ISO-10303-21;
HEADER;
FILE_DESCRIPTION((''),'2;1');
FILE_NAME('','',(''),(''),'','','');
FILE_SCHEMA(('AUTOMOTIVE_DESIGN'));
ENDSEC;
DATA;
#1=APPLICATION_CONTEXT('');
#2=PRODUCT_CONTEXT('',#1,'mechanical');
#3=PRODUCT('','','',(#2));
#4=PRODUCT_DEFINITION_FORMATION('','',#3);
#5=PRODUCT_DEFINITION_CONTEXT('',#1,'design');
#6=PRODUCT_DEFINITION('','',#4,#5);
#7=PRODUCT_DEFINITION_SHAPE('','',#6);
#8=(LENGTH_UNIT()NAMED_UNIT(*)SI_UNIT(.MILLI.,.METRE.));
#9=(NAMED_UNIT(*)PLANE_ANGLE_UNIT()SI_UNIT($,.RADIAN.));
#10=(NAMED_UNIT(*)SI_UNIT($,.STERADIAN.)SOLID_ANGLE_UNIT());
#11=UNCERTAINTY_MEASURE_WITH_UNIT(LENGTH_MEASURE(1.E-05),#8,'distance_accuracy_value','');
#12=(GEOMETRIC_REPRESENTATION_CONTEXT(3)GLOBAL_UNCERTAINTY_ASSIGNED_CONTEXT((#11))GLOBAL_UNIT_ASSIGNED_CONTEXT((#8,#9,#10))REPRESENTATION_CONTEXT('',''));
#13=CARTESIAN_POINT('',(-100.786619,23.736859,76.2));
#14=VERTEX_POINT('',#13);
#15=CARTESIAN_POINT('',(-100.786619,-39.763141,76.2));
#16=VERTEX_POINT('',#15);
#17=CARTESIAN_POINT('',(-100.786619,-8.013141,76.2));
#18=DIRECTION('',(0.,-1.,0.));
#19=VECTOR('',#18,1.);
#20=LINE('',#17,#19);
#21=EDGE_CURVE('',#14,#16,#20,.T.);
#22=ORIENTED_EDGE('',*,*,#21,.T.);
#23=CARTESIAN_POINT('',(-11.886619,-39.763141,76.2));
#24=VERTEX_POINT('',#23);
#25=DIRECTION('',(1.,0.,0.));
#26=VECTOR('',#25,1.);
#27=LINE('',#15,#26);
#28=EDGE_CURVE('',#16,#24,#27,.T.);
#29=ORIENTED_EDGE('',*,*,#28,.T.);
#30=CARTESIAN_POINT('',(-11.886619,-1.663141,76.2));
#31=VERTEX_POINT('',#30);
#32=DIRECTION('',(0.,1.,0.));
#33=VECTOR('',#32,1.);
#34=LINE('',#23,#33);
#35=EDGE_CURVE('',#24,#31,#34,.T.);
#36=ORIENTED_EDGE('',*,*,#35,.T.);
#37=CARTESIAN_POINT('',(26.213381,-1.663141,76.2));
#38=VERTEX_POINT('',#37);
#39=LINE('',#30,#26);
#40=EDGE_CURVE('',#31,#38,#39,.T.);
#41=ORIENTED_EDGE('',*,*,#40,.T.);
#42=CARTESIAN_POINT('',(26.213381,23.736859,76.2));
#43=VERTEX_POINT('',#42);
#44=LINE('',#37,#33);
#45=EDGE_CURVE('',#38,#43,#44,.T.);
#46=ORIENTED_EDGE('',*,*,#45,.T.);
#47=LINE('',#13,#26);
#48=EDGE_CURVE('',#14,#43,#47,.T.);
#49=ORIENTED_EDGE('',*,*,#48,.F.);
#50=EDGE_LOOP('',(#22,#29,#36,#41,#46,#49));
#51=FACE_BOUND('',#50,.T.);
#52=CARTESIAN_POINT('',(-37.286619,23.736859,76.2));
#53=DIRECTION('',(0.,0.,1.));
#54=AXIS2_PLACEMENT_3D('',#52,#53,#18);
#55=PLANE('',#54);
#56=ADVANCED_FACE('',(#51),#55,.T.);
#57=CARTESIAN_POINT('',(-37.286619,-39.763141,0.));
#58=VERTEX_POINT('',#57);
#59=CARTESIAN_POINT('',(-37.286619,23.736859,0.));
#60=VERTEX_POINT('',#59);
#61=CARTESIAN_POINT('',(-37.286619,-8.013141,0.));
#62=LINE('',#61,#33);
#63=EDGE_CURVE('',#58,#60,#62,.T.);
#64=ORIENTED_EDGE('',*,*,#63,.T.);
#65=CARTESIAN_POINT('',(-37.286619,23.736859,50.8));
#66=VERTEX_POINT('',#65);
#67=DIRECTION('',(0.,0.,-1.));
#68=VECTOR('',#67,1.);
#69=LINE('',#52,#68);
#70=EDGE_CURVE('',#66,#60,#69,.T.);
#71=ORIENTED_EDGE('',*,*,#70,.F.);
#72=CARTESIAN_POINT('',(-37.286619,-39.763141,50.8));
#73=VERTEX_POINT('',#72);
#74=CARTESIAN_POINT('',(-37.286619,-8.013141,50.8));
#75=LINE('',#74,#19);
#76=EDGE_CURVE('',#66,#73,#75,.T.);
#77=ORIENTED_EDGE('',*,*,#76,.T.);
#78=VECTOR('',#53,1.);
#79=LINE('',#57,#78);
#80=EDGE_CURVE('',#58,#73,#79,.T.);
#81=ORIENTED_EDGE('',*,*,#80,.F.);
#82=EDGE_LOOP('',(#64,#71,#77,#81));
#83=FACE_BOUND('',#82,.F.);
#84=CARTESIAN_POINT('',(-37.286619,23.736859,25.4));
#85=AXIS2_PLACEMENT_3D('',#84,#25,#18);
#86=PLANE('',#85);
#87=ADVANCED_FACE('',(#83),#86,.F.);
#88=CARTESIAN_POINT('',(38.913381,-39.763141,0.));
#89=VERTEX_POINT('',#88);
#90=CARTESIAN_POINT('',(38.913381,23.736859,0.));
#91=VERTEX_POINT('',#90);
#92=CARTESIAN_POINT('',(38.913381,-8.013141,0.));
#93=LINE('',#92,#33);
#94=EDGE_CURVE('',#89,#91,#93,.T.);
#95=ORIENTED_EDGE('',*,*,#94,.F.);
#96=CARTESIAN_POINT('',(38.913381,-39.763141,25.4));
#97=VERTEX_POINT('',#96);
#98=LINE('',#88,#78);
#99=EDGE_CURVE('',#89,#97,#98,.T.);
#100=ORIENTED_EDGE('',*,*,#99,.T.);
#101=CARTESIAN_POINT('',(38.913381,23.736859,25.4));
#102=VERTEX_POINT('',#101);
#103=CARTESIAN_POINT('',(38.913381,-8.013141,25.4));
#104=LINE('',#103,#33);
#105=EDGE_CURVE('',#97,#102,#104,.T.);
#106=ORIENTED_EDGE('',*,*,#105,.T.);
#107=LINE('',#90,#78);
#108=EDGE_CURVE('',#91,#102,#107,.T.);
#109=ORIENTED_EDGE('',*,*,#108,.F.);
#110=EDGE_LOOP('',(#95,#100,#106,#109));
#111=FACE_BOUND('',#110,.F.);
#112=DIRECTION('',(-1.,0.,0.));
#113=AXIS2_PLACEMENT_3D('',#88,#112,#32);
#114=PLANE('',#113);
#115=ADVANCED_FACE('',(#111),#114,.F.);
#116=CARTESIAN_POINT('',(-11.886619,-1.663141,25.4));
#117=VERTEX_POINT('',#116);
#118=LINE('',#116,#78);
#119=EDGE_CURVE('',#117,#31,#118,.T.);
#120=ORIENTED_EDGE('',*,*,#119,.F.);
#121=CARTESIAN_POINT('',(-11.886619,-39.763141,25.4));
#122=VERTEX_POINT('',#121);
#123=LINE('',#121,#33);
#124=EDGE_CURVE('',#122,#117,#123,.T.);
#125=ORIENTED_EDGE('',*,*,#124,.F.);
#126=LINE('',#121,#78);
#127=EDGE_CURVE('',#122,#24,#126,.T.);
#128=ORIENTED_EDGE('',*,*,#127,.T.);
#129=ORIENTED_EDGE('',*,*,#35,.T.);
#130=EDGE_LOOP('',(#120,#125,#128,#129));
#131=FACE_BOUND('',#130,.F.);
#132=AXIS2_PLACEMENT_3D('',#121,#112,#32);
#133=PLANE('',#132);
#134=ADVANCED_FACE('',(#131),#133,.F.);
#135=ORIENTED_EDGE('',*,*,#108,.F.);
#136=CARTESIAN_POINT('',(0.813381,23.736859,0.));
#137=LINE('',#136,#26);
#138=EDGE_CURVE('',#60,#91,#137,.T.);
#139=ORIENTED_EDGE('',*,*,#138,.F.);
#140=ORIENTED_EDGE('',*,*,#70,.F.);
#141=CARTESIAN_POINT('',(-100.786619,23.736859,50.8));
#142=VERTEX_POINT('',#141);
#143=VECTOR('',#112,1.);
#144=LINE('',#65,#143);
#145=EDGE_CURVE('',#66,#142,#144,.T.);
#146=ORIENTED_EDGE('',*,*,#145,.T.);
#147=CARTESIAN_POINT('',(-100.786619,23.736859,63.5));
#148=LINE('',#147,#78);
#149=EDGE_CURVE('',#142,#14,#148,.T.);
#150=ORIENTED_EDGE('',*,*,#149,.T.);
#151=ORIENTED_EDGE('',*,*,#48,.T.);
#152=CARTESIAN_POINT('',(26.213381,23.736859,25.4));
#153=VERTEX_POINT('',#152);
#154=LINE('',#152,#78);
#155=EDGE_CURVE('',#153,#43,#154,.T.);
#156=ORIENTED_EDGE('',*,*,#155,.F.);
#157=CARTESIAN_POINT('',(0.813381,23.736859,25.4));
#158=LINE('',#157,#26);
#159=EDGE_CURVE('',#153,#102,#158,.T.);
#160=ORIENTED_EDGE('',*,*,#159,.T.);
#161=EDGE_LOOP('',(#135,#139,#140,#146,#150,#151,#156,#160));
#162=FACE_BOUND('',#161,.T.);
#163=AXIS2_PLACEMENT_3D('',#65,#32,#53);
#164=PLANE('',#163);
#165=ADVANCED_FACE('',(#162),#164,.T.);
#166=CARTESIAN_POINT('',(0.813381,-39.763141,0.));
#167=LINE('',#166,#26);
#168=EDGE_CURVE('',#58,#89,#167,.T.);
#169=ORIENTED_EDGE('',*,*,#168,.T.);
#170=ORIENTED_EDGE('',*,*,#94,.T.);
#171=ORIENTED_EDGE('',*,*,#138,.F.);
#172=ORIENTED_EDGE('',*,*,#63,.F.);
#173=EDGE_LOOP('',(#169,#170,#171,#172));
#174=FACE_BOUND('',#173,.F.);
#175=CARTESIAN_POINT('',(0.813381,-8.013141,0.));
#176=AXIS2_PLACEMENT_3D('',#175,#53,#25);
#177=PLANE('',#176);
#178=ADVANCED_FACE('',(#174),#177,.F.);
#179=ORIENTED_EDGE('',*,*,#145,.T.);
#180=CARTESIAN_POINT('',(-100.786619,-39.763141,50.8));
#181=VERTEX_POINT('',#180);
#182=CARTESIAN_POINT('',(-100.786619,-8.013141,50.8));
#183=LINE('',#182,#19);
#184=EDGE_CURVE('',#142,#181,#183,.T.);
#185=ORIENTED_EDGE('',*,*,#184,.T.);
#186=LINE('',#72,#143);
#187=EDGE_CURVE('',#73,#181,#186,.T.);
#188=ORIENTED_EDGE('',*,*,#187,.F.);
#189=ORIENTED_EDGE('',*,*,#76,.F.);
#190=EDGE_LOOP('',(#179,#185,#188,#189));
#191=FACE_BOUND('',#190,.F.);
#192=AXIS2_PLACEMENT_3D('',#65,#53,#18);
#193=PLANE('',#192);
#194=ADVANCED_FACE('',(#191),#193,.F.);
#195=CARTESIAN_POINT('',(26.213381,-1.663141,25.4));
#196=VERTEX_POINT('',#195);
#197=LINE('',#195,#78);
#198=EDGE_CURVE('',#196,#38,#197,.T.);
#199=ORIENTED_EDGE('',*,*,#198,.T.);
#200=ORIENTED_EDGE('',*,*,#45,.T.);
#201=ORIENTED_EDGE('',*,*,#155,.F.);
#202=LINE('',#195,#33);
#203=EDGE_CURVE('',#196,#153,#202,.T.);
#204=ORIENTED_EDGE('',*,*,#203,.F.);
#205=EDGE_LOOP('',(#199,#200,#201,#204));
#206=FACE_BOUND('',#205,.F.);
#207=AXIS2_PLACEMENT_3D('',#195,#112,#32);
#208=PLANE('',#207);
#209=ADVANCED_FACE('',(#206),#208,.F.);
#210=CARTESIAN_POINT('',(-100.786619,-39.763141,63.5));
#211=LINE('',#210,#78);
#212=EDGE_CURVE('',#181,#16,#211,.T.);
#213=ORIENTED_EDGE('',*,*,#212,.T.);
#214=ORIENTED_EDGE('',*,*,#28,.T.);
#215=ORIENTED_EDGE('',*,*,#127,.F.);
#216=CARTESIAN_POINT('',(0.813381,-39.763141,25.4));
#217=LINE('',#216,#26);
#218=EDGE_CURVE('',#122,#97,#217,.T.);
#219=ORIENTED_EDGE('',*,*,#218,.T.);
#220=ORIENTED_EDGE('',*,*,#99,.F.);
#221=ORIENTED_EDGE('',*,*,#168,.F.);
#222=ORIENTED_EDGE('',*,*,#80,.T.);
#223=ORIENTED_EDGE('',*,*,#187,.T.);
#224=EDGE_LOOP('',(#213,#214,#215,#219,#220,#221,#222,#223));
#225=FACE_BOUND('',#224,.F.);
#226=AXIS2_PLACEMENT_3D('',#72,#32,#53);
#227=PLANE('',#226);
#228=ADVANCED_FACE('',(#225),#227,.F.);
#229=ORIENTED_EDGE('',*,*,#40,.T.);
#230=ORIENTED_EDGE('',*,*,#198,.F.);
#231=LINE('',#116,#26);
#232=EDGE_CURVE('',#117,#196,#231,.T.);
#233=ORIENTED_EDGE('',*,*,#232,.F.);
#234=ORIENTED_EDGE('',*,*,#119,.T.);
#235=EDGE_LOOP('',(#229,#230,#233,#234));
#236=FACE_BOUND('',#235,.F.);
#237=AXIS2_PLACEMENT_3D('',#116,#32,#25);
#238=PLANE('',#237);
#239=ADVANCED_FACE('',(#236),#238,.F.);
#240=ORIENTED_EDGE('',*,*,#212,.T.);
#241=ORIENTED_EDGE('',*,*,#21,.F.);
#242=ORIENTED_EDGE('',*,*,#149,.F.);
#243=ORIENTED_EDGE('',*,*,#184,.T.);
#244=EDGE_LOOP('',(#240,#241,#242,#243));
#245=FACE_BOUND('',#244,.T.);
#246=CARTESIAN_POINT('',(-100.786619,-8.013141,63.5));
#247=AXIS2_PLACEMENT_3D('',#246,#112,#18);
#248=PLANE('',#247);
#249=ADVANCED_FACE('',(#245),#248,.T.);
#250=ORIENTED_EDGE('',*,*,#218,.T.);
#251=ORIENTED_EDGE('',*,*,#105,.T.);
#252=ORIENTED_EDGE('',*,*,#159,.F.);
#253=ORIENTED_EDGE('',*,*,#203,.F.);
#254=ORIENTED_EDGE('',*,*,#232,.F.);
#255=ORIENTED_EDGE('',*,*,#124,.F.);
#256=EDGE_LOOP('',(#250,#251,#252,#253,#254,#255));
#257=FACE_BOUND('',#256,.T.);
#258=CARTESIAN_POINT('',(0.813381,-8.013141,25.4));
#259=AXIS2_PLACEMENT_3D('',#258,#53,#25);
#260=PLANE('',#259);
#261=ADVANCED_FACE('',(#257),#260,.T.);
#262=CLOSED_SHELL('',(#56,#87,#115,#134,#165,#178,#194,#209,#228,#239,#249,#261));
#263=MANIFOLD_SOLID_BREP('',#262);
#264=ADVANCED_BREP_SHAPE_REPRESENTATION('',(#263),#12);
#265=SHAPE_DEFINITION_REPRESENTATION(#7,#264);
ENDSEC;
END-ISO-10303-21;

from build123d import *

# Parameters (mm, degrees)
F0_W     = 76.2
F0_H     = 63.5
F1_DEPTH = 25.4
F3_DEPTH = 50.8
F4_W     = 63.5
F4_H     = 25.4
F5_DEPTH = 63.5


with BuildPart() as f1:
    # F0 (on Top) → F1 (new body)
    with BuildSketch(Plane.XY):
        with Locations((0.813381, -8.013141)):
            Rectangle(F0_W, F0_H)
    extrude(amount=F1_DEPTH)

    # F2 (on face) → F3 (join)
    with BuildSketch(Plane.XY.offset(25.4)):
        Polygon((-37.286619, 23.736859), (-37.286619, -39.763141), (-11.886619, -39.763141), (-11.886619, -1.663141), (26.213381, -1.663141), (26.213381, 23.736859), align=None)
    extrude(amount=F3_DEPTH)

    # F4 (on face) → F5 (join)
    with BuildSketch(Plane(origin=(-37.286619, 0, 0), x_dir=(0, -1, 0), z_dir=(-1, 0, 0))):
        with Locations((8.013141, 63.5)):
            Rectangle(F4_W, F4_H)
    extrude(amount=F5_DEPTH)


solid = f1.part
